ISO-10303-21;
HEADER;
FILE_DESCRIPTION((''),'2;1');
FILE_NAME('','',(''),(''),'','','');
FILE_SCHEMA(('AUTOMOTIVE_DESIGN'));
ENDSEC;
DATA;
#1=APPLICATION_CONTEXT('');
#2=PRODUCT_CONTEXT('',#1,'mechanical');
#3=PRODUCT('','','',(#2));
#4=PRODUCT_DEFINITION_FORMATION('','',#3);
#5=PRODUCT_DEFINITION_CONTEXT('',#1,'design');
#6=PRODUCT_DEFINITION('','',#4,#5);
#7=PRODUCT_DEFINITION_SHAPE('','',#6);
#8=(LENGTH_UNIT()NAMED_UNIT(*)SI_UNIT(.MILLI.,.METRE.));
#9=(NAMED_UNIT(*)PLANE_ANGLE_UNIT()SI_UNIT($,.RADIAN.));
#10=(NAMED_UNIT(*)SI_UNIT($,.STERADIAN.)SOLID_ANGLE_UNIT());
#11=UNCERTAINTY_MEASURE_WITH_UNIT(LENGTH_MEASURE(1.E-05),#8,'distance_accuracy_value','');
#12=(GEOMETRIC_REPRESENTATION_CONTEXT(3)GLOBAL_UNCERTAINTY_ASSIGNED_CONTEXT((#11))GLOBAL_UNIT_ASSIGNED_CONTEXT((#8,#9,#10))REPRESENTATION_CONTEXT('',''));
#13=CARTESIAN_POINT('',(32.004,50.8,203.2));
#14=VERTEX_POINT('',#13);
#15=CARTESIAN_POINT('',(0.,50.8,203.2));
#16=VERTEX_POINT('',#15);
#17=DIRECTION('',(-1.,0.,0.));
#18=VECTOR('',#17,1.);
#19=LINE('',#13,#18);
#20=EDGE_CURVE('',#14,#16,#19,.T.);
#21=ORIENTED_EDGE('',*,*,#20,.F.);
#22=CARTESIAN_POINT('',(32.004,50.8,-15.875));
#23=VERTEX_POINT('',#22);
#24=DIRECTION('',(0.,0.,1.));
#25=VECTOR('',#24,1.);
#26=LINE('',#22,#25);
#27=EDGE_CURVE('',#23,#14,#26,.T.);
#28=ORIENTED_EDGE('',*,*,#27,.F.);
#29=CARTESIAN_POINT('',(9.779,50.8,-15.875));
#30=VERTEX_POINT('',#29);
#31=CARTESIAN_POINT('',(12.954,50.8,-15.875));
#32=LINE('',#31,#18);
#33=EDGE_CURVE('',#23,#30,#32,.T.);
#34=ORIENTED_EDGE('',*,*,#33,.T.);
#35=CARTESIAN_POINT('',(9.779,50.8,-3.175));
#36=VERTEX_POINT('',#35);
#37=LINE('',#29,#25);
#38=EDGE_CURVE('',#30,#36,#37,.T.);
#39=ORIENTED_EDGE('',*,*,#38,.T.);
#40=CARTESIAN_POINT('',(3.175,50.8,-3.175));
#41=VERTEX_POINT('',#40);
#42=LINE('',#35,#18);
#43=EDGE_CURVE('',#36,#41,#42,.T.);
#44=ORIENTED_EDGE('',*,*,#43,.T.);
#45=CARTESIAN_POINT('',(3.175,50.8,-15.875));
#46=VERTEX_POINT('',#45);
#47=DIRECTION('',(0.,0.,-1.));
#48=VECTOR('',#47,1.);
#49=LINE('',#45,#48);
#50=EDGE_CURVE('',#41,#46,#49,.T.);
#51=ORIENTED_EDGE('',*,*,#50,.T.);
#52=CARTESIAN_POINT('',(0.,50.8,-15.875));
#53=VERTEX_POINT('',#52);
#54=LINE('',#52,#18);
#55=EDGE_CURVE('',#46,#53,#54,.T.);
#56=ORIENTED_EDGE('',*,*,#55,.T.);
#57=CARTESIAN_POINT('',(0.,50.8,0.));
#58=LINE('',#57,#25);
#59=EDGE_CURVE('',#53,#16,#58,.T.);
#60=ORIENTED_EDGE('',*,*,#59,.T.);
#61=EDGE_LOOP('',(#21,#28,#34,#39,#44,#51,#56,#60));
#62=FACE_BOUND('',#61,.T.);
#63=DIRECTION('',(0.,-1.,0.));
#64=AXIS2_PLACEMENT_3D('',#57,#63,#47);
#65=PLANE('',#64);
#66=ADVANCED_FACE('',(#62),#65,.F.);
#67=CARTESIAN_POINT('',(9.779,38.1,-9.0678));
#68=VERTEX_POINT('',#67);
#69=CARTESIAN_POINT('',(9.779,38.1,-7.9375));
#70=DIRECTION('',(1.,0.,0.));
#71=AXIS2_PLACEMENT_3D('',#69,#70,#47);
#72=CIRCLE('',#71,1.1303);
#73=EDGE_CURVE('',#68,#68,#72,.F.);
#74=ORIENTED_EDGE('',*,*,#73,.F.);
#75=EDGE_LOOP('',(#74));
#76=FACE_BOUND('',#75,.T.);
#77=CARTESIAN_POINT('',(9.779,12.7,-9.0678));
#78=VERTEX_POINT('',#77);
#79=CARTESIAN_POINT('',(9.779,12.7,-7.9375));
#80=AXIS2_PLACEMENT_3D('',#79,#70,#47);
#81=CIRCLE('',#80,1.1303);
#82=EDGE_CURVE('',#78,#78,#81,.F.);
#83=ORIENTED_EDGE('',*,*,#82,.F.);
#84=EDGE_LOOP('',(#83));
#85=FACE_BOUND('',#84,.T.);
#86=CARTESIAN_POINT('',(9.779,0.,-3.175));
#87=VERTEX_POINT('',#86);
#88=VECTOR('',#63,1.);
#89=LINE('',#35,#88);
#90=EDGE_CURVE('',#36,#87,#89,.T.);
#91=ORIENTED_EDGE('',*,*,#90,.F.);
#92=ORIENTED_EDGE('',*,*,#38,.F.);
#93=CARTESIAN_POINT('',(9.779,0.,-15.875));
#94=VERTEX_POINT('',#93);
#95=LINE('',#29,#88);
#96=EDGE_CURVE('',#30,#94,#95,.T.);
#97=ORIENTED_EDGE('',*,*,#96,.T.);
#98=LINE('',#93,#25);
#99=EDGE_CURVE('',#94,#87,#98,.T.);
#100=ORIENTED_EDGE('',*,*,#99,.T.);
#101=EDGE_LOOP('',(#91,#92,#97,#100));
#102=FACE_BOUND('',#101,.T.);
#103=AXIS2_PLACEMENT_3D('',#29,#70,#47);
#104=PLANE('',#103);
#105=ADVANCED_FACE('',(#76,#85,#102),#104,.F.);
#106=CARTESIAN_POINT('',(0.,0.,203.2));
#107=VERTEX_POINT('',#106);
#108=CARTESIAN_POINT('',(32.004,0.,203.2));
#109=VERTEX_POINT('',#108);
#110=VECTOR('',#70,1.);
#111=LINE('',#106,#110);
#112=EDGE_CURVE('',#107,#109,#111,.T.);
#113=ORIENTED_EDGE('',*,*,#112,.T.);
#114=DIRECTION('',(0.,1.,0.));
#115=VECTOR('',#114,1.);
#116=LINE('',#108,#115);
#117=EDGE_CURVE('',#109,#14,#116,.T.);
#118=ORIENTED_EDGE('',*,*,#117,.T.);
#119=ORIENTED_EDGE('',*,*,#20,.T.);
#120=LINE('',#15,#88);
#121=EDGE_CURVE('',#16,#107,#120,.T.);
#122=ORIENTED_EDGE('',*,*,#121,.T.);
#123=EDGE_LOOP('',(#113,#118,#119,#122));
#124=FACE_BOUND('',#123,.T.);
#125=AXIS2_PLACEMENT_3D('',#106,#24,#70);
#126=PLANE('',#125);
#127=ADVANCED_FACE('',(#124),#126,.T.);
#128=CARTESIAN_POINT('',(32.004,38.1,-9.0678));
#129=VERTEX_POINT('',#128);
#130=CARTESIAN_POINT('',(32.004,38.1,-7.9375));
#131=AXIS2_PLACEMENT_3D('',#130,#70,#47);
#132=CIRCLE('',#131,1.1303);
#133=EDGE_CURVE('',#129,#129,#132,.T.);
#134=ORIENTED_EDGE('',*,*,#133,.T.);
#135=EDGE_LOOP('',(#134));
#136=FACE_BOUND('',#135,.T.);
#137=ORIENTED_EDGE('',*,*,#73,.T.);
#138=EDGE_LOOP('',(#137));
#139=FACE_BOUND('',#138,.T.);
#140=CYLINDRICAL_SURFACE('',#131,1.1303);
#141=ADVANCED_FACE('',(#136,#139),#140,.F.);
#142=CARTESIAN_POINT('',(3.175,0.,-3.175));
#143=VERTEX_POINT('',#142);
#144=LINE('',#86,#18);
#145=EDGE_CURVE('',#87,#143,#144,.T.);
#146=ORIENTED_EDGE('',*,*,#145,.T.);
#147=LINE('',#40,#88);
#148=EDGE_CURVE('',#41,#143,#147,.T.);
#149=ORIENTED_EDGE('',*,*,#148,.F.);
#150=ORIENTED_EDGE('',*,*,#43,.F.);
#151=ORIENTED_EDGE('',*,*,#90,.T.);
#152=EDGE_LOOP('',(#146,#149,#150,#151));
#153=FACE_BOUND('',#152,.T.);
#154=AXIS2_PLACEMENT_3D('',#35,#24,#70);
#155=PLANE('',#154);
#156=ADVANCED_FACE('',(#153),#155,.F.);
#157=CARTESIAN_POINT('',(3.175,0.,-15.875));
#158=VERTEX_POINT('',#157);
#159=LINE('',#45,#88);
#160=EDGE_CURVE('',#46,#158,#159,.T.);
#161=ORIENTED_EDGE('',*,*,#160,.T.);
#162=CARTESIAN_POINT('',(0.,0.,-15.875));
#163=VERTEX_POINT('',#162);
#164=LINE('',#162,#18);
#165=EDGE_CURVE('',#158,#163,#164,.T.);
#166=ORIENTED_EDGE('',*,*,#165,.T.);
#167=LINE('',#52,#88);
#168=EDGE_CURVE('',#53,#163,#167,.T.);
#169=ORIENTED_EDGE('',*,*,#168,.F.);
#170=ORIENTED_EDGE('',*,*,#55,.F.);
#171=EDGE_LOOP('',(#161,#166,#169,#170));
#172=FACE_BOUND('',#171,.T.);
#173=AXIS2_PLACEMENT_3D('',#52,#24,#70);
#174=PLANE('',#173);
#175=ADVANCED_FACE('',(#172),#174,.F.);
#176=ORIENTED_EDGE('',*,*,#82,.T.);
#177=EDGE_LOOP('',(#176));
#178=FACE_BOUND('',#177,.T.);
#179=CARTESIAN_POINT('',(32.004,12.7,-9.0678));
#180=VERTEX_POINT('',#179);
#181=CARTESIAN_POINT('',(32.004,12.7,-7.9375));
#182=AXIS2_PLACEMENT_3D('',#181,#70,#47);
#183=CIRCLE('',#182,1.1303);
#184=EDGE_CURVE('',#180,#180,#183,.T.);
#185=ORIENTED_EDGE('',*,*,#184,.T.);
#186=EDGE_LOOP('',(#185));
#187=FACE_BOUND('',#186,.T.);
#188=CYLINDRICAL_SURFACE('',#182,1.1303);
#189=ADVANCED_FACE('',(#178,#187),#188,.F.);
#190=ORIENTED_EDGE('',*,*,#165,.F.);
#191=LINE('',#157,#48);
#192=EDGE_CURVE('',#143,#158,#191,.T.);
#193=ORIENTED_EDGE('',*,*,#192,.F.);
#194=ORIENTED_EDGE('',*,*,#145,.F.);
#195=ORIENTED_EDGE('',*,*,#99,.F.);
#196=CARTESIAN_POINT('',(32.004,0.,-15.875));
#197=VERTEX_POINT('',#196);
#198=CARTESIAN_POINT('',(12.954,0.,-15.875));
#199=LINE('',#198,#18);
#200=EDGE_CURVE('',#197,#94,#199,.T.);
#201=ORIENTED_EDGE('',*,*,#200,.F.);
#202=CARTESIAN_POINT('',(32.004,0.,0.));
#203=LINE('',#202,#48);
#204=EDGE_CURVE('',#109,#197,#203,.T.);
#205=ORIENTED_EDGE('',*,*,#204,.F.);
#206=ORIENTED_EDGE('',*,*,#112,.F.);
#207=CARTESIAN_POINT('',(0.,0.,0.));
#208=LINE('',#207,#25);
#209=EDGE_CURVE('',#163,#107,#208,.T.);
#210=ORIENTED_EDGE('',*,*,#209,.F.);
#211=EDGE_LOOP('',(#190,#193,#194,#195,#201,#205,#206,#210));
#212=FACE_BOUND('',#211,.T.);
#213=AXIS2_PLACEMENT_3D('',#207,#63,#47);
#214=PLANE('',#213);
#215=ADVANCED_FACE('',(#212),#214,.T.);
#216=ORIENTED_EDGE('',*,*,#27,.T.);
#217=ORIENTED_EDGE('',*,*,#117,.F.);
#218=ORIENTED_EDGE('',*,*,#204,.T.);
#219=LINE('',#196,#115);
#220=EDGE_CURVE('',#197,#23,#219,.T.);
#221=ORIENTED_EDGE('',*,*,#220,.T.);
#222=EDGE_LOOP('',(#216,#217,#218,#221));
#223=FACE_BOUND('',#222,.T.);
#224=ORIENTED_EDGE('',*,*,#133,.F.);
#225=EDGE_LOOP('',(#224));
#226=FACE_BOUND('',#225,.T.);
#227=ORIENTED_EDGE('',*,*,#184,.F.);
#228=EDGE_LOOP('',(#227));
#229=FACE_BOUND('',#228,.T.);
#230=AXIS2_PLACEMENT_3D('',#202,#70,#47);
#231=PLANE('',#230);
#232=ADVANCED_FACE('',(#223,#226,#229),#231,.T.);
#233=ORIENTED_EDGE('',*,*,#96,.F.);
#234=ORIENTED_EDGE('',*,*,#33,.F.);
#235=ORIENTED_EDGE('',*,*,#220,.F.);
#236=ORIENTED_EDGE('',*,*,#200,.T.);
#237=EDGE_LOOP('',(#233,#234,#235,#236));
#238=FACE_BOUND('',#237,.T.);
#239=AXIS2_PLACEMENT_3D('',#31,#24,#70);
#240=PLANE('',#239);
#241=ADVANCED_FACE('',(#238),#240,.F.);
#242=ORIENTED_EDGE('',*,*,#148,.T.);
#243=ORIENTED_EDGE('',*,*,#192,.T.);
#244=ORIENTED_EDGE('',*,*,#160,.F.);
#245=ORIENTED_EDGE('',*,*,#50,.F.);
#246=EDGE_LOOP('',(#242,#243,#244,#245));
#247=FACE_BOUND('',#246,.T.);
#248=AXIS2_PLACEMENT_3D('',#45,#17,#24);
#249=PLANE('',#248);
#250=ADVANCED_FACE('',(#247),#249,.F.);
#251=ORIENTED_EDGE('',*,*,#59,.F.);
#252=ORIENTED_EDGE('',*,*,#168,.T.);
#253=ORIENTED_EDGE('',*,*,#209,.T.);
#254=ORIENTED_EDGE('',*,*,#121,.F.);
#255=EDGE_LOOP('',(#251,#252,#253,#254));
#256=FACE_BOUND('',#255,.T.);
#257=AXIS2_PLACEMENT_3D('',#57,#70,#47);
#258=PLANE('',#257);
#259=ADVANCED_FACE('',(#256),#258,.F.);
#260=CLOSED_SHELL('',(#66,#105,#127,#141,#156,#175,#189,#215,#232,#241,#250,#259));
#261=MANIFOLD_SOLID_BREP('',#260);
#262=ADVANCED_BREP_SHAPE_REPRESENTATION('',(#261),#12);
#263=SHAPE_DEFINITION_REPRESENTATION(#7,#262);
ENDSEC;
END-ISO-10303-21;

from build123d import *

# Parameters (mm, degrees)
BOSS_EXTRUDE1_DEPTH        = 50.8
SKETCH5_W                  = 15.875
SKETCH5_H                  = 50.8
BOSS_EXTRUDE2_DEPTH        = 19.05
F_4_40_TAPPED_HOLE1_REACH  = 64.104
F_4_40_TAPPED_HOLE1_BORE_R = 1.1303
SKETCH9_W                  = 32.004
SKETCH9_H                  = 50.8
BOSS_EXTRUDE4_DEPTH        = 203.2


with BuildPart() as part:
    # Sketch2 → Boss-Extrude1 (new body)
    with BuildSketch(Plane(origin=(0, 0, 0), x_dir=(1, 0, 0), z_dir=(0, 1, 0))):
        Polygon((0, 0), (0, 15.875), (3.175, 15.875), (3.175, 3.175), (9.779, 3.175), (9.779, 15.875), (12.954, 15.875), (12.954, 0), align=None)
    extrude(amount=BOSS_EXTRUDE1_DEPTH)

    # Sketch5 → Boss-Extrude2 (add)
    with BuildSketch(Plane(origin=(12.954, 0, 0), x_dir=(0, 0, -1), z_dir=(1, 0, 0))):
        with Locations((7.9375, 25.4)):
            Rectangle(SKETCH5_W, SKETCH5_H)
    extrude(amount=BOSS_EXTRUDE2_DEPTH)

    # #4-40 Tapped Hole1 bore → #4-40 Tapped Hole1 (cut, up to next)
    with BuildSketch(Plane(origin=(32.004, 0, 0), x_dir=(0, 0, -1), z_dir=(1, 0, 0)), mode=Mode.PRIVATE) as f_4_40_tapped_hole1_sk1:
        with Locations((7.9375, 12.7)):
            Circle(F_4_40_TAPPED_HOLE1_BORE_R)
    f_4_40_tapped_hole1_tool1 = extrude(f_4_40_tapped_hole1_sk1.sketch, amount=-F_4_40_TAPPED_HOLE1_REACH, mode=Mode.PRIVATE) & part.part
    # #4-40 Tapped Hole1 bore → #4-40 Tapped Hole1 (cut, up to next)
    with BuildSketch(Plane(origin=(32.004, 0, 0), x_dir=(0, 0, -1), z_dir=(1, 0, 0)), mode=Mode.PRIVATE) as f_4_40_tapped_hole1_sk2:
        with Locations((7.9375, 38.1)):
            Circle(F_4_40_TAPPED_HOLE1_BORE_R)
    f_4_40_tapped_hole1_tool2 = extrude(f_4_40_tapped_hole1_sk2.sketch, amount=-F_4_40_TAPPED_HOLE1_REACH, mode=Mode.PRIVATE) & part.part
    add(f_4_40_tapped_hole1_tool1.solids().sort_by_distance((32.004, 12.7, -7.9375))[0], mode=Mode.SUBTRACT)
    add(f_4_40_tapped_hole1_tool2.solids().sort_by_distance((32.004, 38.1, -7.9375))[0], mode=Mode.SUBTRACT)

    # Sketch9 → Boss-Extrude4 (add)
    with BuildSketch(Plane.XY):
        with Locations((16.002, 25.4)):
            Rectangle(SKETCH9_W, SKETCH9_H)
    extrude(amount=BOSS_EXTRUDE4_DEPTH)


solid = part.part
